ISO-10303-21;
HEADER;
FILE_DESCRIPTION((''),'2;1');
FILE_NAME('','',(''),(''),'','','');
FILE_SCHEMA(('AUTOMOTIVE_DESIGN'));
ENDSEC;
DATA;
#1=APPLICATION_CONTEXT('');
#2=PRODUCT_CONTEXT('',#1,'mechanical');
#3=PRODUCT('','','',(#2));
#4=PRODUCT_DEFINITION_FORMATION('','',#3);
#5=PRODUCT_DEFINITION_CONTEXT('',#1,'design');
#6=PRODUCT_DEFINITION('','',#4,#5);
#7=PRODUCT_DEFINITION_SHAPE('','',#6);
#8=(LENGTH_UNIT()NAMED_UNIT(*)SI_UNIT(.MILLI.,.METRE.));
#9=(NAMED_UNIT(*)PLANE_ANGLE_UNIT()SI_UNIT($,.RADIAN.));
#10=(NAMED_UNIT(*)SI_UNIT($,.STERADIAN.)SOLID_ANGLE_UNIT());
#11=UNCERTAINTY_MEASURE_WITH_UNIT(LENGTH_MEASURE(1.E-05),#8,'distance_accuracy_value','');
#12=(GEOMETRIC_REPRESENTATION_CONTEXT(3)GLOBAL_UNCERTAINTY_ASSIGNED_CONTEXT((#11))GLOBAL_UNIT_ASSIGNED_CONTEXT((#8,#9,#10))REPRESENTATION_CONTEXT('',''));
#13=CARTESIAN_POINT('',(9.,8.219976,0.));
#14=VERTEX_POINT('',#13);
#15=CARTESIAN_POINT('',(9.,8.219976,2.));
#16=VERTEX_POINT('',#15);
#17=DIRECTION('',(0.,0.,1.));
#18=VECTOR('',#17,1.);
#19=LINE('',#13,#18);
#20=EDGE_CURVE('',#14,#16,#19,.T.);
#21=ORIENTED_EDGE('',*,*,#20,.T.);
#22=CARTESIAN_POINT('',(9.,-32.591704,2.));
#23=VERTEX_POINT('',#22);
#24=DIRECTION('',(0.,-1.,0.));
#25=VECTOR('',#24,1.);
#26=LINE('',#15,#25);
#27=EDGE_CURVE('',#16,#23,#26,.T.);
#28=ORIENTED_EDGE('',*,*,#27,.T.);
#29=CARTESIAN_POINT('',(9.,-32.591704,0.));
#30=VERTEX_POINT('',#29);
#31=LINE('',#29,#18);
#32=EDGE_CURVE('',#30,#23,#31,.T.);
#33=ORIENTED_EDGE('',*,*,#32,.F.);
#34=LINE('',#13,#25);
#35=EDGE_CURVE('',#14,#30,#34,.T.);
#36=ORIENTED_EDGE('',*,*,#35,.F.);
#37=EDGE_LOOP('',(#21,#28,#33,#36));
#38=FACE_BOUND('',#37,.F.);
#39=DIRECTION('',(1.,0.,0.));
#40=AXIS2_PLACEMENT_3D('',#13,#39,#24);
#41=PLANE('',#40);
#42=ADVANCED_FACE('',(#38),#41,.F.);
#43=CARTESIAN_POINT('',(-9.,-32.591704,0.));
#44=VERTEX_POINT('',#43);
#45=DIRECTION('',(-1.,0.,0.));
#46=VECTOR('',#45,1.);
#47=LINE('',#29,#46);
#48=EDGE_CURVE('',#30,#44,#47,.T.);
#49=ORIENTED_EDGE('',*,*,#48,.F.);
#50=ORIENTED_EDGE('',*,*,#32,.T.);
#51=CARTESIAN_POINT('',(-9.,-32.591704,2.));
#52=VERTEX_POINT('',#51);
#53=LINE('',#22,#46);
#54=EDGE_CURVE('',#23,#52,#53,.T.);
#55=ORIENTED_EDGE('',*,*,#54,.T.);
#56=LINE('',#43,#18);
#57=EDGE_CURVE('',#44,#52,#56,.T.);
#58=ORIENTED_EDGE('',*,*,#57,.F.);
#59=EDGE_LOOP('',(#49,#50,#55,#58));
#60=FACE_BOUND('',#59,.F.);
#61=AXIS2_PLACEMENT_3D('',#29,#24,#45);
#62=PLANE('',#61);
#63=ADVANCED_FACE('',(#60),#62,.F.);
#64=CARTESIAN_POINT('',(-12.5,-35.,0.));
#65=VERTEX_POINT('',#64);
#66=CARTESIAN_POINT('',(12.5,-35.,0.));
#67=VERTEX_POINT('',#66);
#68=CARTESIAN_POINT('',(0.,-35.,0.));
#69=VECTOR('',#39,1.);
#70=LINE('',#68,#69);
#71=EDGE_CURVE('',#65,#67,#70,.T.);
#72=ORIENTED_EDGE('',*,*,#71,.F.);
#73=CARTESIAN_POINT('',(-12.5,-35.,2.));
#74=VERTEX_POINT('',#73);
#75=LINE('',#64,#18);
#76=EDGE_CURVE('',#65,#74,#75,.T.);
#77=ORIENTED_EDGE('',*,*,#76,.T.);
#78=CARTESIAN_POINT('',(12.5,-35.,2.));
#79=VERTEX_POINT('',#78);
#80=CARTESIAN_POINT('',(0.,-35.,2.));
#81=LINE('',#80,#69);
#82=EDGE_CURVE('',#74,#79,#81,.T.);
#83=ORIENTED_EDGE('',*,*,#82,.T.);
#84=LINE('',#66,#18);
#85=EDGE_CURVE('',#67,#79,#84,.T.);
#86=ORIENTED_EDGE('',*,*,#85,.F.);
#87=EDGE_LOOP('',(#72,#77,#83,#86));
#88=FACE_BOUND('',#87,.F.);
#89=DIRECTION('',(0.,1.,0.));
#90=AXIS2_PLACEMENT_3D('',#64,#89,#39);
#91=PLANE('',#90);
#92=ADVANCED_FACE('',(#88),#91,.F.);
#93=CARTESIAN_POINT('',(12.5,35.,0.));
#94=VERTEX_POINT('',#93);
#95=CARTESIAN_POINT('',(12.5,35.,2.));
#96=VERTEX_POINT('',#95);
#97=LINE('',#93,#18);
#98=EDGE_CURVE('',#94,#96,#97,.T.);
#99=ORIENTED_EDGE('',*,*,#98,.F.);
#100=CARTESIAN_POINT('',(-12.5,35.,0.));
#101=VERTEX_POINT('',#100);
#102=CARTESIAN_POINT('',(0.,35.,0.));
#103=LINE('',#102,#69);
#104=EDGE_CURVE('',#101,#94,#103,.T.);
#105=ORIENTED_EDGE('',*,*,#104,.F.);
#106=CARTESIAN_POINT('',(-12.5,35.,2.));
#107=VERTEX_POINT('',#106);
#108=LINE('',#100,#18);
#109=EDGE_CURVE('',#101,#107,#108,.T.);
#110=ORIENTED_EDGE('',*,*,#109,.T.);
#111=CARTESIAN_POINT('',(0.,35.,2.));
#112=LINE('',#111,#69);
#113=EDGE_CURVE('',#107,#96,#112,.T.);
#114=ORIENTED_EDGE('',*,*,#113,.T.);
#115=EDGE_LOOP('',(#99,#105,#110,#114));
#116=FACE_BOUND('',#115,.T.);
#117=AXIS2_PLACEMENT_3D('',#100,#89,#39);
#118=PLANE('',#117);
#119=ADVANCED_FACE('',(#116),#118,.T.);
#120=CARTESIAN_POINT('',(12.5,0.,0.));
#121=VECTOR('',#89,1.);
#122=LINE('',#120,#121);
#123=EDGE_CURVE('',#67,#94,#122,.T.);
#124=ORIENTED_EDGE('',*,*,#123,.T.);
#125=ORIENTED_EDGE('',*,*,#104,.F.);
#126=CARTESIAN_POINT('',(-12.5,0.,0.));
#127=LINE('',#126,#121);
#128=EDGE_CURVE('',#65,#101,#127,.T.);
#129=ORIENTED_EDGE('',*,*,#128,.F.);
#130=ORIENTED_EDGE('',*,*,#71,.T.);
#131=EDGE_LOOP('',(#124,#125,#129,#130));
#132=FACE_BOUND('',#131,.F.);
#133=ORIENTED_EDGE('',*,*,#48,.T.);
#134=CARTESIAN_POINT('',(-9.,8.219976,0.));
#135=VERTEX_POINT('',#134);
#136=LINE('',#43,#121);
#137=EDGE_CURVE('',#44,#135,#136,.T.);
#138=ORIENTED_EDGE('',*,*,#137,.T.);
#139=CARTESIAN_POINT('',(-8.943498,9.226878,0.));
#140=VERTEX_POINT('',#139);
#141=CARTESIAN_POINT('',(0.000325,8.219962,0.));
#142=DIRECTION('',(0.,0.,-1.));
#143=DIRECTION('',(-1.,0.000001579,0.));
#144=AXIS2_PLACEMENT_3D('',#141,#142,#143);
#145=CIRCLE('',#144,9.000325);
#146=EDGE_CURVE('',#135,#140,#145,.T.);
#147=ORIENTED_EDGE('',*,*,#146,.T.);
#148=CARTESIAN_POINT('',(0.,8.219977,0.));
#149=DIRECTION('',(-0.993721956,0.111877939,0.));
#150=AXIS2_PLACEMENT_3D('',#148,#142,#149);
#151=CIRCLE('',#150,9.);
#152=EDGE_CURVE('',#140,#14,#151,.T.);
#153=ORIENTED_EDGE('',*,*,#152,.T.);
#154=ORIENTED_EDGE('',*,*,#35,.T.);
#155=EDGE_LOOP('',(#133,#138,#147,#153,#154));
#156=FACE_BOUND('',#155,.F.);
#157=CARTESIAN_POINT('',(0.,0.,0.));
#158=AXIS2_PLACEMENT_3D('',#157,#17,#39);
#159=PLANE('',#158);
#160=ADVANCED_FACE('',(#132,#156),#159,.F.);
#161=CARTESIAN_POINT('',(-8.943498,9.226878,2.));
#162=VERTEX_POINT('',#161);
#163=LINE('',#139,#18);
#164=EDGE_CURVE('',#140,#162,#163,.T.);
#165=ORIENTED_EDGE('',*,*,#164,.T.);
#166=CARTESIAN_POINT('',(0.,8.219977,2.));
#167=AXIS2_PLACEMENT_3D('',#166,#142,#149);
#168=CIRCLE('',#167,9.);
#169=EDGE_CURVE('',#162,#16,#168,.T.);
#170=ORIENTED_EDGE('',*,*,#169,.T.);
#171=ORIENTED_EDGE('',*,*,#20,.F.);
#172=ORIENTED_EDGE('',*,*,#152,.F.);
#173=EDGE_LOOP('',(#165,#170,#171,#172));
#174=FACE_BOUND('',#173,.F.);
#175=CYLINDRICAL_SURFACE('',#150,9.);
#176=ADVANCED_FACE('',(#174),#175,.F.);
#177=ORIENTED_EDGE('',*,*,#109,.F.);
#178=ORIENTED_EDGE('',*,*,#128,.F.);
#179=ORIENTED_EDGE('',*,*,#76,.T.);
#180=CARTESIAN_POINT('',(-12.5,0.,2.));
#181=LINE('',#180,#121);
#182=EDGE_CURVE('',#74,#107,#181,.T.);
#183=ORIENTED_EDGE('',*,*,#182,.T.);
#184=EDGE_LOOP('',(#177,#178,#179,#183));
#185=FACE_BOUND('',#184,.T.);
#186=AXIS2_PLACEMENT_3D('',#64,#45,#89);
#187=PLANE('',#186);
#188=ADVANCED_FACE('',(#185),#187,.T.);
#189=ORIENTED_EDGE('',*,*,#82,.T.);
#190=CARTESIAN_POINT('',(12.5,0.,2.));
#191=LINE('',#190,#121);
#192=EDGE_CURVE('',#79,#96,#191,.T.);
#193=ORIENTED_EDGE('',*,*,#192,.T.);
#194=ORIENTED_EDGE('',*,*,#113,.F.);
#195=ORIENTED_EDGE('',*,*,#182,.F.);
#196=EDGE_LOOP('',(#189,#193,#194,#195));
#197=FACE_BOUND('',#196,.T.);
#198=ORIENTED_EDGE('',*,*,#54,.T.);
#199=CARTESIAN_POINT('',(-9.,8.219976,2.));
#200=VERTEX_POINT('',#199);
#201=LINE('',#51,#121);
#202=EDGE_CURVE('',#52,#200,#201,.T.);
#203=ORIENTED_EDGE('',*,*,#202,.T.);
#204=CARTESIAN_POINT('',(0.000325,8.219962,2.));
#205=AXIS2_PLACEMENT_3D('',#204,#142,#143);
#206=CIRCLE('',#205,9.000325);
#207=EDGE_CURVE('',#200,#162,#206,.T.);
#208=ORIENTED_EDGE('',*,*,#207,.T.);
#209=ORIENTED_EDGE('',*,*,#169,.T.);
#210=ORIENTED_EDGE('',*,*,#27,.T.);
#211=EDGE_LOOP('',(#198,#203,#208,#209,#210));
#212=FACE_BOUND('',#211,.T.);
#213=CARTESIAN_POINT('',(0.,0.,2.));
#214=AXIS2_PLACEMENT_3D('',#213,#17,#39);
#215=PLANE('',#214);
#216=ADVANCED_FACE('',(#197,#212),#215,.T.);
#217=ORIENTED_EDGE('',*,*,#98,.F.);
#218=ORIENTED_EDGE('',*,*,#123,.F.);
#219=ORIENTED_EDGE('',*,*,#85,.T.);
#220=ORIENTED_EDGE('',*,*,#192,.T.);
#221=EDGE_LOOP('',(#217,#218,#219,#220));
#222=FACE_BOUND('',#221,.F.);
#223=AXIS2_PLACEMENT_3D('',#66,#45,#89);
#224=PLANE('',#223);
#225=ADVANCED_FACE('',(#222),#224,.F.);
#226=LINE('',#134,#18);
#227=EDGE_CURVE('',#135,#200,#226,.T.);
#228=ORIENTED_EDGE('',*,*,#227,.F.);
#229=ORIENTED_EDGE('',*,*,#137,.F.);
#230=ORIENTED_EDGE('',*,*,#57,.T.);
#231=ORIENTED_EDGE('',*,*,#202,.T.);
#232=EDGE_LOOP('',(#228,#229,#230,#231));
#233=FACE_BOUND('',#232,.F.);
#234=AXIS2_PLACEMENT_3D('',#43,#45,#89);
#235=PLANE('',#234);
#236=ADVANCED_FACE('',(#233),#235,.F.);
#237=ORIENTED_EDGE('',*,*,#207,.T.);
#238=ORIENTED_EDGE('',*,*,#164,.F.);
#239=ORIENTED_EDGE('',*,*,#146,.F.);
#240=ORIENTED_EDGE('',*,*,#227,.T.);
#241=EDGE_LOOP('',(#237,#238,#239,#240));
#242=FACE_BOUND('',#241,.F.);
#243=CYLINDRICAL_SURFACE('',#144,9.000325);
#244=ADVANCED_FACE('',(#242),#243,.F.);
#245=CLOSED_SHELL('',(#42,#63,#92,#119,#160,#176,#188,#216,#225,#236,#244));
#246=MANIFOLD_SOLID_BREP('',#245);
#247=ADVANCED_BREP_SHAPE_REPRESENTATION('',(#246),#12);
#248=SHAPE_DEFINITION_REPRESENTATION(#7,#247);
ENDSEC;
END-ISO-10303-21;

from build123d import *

# Parameters (mm, degrees)
F0_W     = 25
F0_H     = 70
F1_DEPTH = 2


with BuildPart() as f1:
    # F0 (on Top) → F1 (new body)
    with BuildSketch(Plane.XY):
        Rectangle(F0_W, F0_H)
        with BuildLine():
            Line((9, -32.591704), (-9, -32.591704))
            Line((-9, -32.591704), (-9, 8.219976))
            ThreePointArc((-9, 8.219976), (-8.985863, 8.724219), (-8.943498, 9.226878))
            ThreePointArc((-8.943498, 9.226878), (0.504243, 17.20584), (9, 8.219976))
            Line((9, 8.219976), (9, -32.591704))
        make_face(mode=Mode.SUBTRACT)
    extrude(amount=F1_DEPTH)


solid = f1.part
